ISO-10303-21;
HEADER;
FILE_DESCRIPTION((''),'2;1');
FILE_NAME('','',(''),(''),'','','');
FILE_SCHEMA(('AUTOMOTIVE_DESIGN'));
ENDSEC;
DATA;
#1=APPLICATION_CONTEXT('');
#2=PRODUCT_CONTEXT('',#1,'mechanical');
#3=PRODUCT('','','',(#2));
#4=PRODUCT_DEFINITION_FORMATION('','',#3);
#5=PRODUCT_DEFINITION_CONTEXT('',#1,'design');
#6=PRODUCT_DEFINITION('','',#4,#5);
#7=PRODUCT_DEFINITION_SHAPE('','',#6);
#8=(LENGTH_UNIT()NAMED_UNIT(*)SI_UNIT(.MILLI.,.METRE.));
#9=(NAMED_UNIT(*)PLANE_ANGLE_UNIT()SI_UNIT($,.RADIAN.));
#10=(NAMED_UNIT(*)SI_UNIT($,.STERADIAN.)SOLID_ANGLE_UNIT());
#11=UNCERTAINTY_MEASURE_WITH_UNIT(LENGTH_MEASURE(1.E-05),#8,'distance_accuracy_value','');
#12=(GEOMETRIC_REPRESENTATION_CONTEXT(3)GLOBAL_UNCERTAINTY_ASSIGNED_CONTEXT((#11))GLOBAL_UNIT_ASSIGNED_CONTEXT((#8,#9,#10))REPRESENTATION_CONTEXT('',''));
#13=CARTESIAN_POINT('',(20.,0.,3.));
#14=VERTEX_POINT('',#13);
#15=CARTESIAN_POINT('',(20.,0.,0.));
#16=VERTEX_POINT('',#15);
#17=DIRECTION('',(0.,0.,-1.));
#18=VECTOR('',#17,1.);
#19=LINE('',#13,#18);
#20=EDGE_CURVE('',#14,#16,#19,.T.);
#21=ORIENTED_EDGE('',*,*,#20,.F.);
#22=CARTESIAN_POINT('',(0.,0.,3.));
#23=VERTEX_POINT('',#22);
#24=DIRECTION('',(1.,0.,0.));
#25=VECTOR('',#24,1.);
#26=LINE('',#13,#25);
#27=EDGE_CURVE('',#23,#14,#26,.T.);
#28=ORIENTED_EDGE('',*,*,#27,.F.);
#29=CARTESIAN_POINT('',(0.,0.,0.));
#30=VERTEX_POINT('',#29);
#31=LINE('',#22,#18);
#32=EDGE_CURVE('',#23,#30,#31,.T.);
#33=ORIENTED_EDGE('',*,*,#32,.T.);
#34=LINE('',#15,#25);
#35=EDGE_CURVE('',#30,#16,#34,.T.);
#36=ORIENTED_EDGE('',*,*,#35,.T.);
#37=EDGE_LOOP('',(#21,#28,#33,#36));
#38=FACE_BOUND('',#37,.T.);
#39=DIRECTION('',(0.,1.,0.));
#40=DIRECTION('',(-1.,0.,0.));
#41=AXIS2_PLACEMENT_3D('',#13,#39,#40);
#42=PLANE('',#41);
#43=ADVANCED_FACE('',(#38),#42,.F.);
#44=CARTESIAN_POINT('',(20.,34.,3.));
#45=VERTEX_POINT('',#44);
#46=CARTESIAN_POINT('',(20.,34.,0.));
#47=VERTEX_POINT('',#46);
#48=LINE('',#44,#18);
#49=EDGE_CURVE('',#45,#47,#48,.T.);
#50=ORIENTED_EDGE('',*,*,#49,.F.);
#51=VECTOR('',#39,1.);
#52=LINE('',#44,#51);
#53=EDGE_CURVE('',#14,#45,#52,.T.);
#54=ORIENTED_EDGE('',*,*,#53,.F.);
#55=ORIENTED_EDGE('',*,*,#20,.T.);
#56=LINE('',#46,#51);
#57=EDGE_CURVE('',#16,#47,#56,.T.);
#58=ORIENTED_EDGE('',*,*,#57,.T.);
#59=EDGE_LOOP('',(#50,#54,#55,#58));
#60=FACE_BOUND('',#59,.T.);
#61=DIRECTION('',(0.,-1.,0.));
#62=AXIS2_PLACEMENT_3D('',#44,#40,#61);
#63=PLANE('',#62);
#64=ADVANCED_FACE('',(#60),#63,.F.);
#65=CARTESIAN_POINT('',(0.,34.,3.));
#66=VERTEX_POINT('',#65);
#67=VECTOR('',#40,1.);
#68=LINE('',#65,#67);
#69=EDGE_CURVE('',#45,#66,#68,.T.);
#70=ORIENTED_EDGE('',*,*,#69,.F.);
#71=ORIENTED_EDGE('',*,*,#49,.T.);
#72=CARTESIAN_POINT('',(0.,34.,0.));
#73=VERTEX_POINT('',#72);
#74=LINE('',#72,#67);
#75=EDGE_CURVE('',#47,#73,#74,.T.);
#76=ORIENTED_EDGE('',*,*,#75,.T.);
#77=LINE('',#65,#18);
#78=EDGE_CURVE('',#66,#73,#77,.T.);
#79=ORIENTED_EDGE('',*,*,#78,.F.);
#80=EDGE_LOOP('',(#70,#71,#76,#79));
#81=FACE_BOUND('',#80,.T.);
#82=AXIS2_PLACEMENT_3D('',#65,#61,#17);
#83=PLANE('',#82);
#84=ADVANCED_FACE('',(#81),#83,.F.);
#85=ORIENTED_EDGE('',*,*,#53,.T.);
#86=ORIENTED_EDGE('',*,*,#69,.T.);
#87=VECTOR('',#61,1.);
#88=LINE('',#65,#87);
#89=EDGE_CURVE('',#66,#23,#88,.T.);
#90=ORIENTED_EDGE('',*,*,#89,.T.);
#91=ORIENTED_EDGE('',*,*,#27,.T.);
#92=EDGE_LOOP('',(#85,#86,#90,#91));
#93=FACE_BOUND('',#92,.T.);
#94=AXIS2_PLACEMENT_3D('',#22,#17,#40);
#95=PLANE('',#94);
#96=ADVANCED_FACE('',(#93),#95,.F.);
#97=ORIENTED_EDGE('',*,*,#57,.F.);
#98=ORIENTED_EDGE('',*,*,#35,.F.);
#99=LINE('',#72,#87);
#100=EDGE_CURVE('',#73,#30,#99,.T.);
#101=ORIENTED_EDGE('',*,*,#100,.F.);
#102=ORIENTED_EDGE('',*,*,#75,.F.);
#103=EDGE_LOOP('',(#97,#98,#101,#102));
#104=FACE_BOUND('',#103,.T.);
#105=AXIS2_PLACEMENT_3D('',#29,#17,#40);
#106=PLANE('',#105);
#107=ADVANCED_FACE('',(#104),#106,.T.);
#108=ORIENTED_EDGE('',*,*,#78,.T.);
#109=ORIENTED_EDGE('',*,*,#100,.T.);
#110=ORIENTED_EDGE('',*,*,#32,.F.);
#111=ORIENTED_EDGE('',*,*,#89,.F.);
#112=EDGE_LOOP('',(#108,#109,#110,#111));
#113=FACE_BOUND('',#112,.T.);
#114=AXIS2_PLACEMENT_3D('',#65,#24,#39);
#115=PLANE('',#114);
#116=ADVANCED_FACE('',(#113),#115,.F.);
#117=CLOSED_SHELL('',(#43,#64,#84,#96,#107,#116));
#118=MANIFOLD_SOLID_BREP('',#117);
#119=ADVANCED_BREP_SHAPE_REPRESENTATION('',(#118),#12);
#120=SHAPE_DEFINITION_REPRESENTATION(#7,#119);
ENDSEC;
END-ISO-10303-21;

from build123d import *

# Parameters (mm, degrees)
SKETCH1_W        = 20
SKETCH1_H        = 34
JOINT_BODY_DEPTH = 3


with BuildPart() as part:
    # Sketch1 → Joint Body (new body)
    with BuildSketch(Plane.XY):
        with Locations((10, 17)):
            Rectangle(SKETCH1_W, SKETCH1_H)
    extrude(amount=JOINT_BODY_DEPTH)


solid = part.part
